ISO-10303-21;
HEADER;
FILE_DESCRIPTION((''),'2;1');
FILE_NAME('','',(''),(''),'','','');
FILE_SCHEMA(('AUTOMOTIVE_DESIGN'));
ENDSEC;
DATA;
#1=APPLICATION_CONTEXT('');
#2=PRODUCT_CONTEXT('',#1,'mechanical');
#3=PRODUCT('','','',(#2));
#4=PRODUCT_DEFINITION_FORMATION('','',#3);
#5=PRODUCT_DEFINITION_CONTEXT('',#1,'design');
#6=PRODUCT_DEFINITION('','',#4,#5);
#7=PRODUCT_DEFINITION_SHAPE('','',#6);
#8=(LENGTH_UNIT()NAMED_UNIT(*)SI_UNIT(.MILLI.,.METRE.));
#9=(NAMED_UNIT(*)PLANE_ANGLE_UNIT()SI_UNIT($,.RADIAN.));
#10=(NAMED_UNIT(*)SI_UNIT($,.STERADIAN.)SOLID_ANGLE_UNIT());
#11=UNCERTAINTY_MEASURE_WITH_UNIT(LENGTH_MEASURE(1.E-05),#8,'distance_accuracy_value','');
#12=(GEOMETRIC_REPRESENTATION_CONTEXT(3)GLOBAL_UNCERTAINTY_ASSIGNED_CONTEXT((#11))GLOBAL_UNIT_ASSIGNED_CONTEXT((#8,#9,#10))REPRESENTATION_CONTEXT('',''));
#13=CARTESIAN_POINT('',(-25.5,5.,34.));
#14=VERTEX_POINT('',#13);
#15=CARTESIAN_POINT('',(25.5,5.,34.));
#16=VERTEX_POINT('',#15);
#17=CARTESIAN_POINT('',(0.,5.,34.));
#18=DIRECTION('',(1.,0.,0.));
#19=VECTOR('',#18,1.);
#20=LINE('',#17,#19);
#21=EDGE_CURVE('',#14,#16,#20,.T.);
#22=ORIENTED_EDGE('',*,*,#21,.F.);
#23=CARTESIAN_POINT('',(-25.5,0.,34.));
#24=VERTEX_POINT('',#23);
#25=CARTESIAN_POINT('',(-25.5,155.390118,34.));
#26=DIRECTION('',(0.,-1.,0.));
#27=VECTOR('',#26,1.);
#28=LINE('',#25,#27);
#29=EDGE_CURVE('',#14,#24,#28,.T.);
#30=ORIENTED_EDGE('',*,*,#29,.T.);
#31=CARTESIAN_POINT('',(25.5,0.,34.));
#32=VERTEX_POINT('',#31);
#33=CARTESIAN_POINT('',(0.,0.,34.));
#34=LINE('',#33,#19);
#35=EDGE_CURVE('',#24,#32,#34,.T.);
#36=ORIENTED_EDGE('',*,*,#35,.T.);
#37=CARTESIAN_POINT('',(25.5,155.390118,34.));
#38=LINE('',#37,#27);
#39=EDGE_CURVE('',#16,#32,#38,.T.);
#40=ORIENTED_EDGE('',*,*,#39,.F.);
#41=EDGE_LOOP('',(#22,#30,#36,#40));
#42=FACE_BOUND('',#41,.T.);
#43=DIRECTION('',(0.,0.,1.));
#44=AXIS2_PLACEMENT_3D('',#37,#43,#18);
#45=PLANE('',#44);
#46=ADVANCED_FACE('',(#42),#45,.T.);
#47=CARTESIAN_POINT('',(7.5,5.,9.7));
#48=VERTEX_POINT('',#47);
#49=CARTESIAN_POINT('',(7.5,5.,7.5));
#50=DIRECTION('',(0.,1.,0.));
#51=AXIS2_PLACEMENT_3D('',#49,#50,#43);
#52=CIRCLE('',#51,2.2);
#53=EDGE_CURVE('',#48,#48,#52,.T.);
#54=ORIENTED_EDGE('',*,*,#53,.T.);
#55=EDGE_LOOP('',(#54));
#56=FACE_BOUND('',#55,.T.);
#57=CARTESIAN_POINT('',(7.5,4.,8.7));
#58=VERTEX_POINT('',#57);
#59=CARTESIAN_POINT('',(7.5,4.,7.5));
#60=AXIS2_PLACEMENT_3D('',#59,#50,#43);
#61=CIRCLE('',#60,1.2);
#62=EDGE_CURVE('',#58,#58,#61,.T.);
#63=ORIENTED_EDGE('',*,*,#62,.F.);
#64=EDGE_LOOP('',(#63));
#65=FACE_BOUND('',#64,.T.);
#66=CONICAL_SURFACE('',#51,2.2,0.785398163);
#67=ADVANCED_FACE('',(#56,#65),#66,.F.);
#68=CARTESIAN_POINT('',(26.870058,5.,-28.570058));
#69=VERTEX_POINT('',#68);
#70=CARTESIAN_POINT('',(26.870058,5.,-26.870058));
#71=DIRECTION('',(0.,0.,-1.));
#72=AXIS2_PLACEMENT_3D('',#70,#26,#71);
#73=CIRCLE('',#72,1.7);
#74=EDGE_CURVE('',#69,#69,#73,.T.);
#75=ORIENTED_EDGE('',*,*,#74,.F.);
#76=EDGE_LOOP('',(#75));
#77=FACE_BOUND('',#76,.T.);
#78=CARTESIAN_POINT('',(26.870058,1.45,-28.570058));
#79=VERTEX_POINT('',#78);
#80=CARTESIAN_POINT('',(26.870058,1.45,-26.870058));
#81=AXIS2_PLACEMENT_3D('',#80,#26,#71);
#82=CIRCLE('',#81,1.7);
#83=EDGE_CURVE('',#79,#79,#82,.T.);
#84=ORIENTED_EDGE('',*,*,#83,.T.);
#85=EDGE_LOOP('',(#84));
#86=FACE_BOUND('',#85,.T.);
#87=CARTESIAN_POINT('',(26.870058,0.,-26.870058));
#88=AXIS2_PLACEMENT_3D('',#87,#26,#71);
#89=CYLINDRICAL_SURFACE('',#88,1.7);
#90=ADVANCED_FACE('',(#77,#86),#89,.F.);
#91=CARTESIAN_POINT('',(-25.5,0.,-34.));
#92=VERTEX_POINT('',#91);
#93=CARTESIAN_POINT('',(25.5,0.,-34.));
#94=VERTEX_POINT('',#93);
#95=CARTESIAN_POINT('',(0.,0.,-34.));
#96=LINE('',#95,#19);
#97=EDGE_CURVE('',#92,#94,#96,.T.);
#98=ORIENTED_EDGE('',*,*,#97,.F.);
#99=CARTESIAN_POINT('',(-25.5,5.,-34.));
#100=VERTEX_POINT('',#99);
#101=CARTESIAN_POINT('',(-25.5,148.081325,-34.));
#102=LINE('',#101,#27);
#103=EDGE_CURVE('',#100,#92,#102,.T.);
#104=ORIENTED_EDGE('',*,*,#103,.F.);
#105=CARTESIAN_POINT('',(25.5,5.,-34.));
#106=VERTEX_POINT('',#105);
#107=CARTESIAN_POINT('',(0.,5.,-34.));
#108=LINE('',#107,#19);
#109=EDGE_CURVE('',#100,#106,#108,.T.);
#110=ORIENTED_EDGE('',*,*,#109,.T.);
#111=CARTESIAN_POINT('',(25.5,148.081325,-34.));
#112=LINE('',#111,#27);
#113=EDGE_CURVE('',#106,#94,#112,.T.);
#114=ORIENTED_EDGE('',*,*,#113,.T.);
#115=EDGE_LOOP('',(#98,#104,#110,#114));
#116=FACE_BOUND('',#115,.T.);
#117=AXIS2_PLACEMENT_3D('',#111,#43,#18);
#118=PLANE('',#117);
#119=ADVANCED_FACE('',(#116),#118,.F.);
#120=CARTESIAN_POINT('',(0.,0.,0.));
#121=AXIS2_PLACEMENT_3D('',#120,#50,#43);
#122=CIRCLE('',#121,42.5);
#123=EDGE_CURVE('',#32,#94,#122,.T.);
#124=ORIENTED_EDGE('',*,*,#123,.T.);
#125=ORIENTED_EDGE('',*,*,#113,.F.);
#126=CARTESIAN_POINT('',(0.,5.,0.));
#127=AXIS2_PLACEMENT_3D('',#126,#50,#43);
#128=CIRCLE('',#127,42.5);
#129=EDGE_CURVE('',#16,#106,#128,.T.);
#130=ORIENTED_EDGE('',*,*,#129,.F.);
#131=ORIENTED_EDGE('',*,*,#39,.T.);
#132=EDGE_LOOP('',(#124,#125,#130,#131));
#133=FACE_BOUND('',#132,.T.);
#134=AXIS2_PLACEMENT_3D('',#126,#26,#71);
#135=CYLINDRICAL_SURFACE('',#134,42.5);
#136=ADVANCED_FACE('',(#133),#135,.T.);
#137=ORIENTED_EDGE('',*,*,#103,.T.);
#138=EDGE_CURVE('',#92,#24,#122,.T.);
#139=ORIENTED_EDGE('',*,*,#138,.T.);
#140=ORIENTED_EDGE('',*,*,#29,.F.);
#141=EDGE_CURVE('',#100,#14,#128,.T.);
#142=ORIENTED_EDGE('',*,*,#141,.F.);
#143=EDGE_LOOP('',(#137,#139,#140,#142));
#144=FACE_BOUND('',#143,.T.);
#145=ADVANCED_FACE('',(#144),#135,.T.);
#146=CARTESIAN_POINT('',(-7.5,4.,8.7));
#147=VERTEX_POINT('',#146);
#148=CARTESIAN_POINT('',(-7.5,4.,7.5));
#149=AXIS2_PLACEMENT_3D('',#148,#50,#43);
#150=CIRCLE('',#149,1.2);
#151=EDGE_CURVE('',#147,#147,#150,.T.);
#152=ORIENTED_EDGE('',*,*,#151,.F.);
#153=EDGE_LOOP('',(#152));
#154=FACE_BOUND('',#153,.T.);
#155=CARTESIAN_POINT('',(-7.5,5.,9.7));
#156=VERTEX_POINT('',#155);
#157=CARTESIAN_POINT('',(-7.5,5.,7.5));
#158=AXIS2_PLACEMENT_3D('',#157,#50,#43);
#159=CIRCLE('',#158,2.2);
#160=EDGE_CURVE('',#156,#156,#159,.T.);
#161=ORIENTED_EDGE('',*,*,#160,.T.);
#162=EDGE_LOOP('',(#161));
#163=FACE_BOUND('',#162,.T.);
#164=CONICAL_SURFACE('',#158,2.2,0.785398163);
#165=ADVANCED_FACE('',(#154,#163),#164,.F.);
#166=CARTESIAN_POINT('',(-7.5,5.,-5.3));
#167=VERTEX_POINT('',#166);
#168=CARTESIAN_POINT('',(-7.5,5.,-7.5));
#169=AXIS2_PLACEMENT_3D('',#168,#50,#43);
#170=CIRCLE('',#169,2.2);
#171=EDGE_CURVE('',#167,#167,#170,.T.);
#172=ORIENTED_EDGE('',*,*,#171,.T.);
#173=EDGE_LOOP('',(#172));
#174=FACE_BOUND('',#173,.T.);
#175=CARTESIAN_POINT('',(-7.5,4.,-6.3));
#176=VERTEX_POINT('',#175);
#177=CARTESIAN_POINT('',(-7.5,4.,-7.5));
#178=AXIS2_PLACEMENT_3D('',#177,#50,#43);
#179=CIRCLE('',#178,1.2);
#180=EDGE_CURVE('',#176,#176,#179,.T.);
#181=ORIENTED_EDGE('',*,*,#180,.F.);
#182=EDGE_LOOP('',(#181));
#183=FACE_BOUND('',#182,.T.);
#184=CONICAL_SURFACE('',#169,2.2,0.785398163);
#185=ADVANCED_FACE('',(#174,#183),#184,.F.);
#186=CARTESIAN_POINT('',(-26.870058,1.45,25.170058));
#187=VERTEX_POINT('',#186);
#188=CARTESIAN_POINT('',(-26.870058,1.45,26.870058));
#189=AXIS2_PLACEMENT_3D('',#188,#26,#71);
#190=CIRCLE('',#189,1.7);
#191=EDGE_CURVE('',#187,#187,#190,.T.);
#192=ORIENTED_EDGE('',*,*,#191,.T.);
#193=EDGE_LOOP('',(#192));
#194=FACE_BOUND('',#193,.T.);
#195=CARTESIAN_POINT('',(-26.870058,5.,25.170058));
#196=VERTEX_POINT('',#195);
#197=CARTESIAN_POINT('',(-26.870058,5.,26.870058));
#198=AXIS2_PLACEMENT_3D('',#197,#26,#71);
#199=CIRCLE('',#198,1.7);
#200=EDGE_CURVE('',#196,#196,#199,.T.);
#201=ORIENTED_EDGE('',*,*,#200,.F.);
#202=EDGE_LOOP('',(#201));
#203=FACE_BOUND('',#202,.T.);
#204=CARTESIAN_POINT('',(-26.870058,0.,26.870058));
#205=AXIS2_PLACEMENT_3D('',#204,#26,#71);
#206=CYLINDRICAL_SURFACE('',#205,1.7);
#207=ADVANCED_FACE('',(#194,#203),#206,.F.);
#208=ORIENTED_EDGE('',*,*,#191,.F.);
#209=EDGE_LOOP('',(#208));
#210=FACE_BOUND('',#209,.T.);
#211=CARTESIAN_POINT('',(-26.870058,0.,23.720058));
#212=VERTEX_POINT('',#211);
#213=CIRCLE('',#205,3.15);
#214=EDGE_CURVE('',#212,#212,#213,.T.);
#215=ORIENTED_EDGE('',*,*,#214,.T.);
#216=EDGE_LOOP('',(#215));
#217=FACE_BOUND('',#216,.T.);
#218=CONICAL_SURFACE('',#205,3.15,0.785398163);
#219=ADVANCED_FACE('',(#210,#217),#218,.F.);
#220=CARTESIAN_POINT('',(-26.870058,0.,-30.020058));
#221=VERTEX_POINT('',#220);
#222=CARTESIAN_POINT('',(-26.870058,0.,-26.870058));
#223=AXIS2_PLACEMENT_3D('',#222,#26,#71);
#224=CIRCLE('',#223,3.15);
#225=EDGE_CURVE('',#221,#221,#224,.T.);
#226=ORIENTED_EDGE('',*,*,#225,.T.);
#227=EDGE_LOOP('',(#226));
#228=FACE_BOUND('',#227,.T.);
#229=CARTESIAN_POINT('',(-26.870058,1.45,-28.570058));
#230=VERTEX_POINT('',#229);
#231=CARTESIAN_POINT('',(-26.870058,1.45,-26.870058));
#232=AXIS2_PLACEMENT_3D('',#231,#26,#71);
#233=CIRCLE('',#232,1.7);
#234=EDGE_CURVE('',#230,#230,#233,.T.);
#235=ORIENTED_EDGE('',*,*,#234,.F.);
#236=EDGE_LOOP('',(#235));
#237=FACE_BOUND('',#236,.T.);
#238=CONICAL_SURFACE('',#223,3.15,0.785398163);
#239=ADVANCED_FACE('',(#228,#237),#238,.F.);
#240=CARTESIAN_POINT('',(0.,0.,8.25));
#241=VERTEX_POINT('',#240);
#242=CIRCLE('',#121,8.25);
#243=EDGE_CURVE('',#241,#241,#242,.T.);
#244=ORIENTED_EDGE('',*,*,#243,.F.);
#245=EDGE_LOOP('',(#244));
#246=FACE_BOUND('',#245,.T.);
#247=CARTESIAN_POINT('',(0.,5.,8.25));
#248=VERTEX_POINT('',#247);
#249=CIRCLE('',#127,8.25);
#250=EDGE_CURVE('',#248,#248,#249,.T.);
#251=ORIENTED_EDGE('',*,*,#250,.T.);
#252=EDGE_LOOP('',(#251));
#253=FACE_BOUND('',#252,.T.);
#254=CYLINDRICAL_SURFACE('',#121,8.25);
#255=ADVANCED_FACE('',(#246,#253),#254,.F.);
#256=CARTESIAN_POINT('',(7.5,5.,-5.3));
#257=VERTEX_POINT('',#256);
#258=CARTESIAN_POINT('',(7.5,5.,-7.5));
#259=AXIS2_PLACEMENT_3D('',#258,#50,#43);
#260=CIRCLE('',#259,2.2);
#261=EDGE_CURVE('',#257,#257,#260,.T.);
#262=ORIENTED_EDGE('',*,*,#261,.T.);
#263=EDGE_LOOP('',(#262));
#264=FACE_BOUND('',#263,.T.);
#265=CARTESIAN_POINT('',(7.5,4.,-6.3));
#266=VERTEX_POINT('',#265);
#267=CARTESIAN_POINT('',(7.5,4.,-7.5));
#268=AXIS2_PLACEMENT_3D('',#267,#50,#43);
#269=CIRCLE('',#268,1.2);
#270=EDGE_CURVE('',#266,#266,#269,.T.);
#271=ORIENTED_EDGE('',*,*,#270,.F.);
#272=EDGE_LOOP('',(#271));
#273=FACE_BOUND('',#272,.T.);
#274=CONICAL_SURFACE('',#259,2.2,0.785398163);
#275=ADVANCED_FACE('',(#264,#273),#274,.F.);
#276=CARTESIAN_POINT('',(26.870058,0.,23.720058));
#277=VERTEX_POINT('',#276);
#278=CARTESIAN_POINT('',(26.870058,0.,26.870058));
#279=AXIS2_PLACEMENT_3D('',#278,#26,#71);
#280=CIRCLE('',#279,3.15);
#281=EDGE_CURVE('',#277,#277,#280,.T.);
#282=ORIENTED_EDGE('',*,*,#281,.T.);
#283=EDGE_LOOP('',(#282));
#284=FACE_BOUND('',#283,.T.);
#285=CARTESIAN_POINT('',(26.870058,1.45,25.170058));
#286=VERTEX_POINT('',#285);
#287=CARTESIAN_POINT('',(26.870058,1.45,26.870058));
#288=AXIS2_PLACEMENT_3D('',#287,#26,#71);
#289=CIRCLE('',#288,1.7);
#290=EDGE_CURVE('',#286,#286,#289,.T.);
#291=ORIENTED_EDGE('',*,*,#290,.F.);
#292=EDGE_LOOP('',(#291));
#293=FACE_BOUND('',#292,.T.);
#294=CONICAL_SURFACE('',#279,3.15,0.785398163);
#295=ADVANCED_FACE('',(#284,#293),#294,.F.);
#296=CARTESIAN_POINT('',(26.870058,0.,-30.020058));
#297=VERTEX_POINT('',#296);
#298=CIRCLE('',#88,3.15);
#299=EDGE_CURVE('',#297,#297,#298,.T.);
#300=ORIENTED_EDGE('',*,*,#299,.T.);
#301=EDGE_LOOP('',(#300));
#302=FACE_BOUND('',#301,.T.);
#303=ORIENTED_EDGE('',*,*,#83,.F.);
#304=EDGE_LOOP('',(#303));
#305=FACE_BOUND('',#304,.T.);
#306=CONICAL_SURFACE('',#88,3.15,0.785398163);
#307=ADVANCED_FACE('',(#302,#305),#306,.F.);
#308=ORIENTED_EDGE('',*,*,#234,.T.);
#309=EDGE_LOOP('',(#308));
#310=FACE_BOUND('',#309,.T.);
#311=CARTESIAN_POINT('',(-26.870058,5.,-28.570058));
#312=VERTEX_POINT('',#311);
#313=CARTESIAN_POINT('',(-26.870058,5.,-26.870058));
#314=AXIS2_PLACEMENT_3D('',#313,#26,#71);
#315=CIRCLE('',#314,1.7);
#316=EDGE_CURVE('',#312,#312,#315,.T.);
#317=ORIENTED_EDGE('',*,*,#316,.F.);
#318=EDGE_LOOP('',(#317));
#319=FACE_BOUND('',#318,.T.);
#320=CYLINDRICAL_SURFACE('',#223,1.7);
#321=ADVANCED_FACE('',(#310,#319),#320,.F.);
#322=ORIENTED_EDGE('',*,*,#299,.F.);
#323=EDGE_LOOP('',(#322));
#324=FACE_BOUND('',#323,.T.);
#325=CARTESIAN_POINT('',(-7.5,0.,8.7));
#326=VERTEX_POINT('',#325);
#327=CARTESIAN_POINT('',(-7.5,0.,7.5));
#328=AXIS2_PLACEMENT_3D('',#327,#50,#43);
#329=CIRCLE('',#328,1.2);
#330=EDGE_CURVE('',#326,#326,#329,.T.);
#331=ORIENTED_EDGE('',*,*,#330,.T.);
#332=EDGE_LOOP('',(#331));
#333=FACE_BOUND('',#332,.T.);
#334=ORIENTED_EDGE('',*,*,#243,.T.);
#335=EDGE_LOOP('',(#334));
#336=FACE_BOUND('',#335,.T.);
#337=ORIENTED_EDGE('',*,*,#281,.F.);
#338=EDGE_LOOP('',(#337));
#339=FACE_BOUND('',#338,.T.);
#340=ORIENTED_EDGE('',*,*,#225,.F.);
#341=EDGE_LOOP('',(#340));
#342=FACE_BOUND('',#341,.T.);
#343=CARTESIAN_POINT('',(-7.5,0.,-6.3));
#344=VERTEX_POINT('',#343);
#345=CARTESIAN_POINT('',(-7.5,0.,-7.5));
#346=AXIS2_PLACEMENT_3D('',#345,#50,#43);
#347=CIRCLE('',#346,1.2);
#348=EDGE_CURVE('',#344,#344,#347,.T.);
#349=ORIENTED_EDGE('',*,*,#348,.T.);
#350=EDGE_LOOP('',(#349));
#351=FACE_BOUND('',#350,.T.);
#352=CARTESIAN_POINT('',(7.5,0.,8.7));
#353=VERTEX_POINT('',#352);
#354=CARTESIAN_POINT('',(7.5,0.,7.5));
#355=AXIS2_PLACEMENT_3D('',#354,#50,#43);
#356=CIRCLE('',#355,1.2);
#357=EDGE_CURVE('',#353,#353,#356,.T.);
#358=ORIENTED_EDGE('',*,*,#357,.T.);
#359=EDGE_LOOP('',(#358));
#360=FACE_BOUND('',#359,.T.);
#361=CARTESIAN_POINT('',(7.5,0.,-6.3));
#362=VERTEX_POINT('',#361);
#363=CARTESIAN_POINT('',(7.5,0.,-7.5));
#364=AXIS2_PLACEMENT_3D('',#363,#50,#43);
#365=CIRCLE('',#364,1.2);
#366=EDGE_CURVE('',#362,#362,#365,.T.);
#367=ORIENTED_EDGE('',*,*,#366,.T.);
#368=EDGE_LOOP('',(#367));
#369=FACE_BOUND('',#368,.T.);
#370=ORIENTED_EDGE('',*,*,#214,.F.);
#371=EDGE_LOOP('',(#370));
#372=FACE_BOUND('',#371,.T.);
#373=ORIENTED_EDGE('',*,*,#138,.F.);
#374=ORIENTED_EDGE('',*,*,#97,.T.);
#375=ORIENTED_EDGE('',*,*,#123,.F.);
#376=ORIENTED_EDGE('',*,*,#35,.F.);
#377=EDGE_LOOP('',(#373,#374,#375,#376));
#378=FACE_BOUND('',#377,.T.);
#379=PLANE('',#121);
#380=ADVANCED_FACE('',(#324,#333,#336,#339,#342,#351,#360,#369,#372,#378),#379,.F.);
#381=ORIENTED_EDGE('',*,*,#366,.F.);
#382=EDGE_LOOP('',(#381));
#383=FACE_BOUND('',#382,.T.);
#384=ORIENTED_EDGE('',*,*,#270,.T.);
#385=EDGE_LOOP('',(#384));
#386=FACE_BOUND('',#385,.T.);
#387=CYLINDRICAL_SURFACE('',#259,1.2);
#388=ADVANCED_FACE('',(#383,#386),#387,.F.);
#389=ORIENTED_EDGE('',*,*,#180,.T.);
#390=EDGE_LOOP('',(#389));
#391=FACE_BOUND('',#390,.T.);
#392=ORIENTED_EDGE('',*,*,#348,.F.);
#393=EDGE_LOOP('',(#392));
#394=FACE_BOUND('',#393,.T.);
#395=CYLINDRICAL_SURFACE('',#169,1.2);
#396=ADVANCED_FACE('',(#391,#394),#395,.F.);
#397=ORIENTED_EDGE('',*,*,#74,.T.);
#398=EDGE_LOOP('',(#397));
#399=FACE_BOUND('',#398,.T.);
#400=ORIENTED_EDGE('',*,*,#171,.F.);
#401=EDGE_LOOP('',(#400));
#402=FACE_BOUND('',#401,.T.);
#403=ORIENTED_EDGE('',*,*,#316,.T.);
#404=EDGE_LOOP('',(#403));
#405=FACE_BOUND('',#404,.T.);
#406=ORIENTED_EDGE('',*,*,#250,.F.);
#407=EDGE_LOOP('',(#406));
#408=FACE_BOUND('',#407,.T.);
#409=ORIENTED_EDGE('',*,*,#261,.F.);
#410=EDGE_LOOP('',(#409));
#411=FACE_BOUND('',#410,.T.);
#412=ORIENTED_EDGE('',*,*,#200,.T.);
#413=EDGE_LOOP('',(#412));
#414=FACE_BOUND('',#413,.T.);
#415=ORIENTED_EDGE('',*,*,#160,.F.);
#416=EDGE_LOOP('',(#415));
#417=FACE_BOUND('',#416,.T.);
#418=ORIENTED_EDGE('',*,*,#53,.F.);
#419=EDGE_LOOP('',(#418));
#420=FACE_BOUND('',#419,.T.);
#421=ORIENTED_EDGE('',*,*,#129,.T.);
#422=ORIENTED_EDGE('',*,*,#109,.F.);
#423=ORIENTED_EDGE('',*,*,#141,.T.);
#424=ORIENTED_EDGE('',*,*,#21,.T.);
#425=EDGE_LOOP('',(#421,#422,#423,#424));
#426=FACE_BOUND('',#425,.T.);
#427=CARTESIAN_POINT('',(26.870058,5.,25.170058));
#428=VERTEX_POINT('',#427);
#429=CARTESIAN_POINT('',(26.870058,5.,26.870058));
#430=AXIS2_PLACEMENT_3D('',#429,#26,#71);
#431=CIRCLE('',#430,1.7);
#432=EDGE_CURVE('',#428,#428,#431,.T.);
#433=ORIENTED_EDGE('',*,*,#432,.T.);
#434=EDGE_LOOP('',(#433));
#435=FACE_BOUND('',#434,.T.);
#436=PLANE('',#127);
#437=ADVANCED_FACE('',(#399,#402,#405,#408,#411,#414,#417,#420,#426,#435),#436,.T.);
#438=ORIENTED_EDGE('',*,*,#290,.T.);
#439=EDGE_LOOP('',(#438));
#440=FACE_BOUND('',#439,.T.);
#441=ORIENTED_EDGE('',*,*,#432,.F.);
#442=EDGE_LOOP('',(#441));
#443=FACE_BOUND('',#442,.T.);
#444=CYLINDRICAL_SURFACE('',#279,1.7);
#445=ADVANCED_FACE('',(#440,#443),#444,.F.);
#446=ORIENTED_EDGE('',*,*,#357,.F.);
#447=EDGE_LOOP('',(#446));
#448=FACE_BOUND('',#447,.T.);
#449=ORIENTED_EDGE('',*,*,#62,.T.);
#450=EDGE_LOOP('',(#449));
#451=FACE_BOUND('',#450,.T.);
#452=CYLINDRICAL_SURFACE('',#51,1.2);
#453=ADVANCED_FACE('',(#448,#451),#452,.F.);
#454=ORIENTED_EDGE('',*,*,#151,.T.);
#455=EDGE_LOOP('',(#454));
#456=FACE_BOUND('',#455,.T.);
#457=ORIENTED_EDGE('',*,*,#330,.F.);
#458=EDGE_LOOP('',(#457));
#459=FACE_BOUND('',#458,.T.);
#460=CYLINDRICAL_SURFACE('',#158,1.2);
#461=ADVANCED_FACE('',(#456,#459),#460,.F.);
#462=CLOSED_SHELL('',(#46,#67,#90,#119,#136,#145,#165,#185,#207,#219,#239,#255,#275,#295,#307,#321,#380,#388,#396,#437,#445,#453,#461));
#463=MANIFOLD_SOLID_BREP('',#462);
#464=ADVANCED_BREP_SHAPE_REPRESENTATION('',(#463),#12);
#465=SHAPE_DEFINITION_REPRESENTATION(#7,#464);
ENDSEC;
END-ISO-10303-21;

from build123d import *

# Parameters (mm, degrees)
SKETCH_1_R                   = 42.5
EXTRUDE_1_DEPTH              = 5
SKETCH_2_R                   = 8.25
CUT_EXTRUDE_1_DEPTH          = 61.311690409
HOLE_WIZARD_M2_1_D           = 2.4
HOLE_WIZARD_M2_1_CSINK_D     = 4.4
HOLE_WIZARD_M2_1_CSINK_ANGLE = 90
HOLE_WIZARD_M3_1_D           = 3.4
HOLE_WIZARD_M3_1_CSINK_D     = 6.3
HOLE_WIZARD_M3_1_CSINK_ANGLE = 90
PATTERN_CIRCULAR_1_COUNT     = 4
CUT_EXTRUDE_2_DEPTH          = 61.311690409


with BuildPart() as part:
    # 草圖1 → 填料-伸長1 (new body)
    with BuildSketch(Plane(origin=(0, 0, 0), x_dir=(1, 0, 0), z_dir=(0, 1, 0))):
        Circle(SKETCH_1_R)
    extrude(amount=EXTRUDE_1_DEPTH)

    # 草圖2 → 除料-伸長1 (cut, through all)
    with BuildSketch(Plane(origin=(0, 5, 0), x_dir=(1, 0, 0), z_dir=(0, 1, 0))):
        Circle(SKETCH_2_R)
    extrude(amount=-CUT_EXTRUDE_1_DEPTH, mode=Mode.SUBTRACT)

    # M2 錐坑平頭螺釘的錐孔1 (through all)
    with Locations(Plane(origin=(0, 5, 0), x_dir=(1, 0, 0), z_dir=(0, 1, 0))):
        with Locations((-7.5, 7.5), (7.5, 7.5), (7.5, -7.5), (-7.5, -7.5)):
            CounterSinkHole(HOLE_WIZARD_M2_1_D / 2, HOLE_WIZARD_M2_1_CSINK_D / 2, counter_sink_angle=HOLE_WIZARD_M2_1_CSINK_ANGLE)

    # M3 錐坑平頭螺釘的錐孔1 (through all)
    with Locations(Plane(origin=(0, 0, 0), x_dir=(-1, 0, 0), z_dir=(0, -1, 0))):
        with Locations((26.870057685, -26.870057685)):
            hole_wizard_m3_1 = CounterSinkHole(HOLE_WIZARD_M3_1_D / 2, HOLE_WIZARD_M3_1_CSINK_D / 2, counter_sink_angle=HOLE_WIZARD_M3_1_CSINK_ANGLE)

    # 環狀複製排列1: M3 錐坑平頭螺釘的錐孔1 ×4 about axis
    pattern_circular_1_axis = Axis((0, 0, 0), (0, 1, 0))
    for i in range(1, PATTERN_CIRCULAR_1_COUNT):
        add(hole_wizard_m3_1.rotate(pattern_circular_1_axis, i * 360 / PATTERN_CIRCULAR_1_COUNT), mode=Mode.SUBTRACT)

    # 草圖7 → 除料-伸長2 (cut, symmetric)
    with BuildSketch(Plane(origin=(0, 5, 0), x_dir=(1, 0, 0), z_dir=(0, 1, 0))):
        Polygon((240.207107839, -34), (25.5, -34), (-25.5, -34), (-240.207107839, -34), (-240.207107839, -463.414215679), (240.207107839, -463.414215679), align=None)
    cut_extrude_2 = extrude(amount=CUT_EXTRUDE_2_DEPTH, both=True, mode=Mode.SUBTRACT)

    # 鏡射1: 除料-伸長2 across plane
    add(cut_extrude_2.mirror(Plane.XY), mode=Mode.SUBTRACT)


solid = part.part
